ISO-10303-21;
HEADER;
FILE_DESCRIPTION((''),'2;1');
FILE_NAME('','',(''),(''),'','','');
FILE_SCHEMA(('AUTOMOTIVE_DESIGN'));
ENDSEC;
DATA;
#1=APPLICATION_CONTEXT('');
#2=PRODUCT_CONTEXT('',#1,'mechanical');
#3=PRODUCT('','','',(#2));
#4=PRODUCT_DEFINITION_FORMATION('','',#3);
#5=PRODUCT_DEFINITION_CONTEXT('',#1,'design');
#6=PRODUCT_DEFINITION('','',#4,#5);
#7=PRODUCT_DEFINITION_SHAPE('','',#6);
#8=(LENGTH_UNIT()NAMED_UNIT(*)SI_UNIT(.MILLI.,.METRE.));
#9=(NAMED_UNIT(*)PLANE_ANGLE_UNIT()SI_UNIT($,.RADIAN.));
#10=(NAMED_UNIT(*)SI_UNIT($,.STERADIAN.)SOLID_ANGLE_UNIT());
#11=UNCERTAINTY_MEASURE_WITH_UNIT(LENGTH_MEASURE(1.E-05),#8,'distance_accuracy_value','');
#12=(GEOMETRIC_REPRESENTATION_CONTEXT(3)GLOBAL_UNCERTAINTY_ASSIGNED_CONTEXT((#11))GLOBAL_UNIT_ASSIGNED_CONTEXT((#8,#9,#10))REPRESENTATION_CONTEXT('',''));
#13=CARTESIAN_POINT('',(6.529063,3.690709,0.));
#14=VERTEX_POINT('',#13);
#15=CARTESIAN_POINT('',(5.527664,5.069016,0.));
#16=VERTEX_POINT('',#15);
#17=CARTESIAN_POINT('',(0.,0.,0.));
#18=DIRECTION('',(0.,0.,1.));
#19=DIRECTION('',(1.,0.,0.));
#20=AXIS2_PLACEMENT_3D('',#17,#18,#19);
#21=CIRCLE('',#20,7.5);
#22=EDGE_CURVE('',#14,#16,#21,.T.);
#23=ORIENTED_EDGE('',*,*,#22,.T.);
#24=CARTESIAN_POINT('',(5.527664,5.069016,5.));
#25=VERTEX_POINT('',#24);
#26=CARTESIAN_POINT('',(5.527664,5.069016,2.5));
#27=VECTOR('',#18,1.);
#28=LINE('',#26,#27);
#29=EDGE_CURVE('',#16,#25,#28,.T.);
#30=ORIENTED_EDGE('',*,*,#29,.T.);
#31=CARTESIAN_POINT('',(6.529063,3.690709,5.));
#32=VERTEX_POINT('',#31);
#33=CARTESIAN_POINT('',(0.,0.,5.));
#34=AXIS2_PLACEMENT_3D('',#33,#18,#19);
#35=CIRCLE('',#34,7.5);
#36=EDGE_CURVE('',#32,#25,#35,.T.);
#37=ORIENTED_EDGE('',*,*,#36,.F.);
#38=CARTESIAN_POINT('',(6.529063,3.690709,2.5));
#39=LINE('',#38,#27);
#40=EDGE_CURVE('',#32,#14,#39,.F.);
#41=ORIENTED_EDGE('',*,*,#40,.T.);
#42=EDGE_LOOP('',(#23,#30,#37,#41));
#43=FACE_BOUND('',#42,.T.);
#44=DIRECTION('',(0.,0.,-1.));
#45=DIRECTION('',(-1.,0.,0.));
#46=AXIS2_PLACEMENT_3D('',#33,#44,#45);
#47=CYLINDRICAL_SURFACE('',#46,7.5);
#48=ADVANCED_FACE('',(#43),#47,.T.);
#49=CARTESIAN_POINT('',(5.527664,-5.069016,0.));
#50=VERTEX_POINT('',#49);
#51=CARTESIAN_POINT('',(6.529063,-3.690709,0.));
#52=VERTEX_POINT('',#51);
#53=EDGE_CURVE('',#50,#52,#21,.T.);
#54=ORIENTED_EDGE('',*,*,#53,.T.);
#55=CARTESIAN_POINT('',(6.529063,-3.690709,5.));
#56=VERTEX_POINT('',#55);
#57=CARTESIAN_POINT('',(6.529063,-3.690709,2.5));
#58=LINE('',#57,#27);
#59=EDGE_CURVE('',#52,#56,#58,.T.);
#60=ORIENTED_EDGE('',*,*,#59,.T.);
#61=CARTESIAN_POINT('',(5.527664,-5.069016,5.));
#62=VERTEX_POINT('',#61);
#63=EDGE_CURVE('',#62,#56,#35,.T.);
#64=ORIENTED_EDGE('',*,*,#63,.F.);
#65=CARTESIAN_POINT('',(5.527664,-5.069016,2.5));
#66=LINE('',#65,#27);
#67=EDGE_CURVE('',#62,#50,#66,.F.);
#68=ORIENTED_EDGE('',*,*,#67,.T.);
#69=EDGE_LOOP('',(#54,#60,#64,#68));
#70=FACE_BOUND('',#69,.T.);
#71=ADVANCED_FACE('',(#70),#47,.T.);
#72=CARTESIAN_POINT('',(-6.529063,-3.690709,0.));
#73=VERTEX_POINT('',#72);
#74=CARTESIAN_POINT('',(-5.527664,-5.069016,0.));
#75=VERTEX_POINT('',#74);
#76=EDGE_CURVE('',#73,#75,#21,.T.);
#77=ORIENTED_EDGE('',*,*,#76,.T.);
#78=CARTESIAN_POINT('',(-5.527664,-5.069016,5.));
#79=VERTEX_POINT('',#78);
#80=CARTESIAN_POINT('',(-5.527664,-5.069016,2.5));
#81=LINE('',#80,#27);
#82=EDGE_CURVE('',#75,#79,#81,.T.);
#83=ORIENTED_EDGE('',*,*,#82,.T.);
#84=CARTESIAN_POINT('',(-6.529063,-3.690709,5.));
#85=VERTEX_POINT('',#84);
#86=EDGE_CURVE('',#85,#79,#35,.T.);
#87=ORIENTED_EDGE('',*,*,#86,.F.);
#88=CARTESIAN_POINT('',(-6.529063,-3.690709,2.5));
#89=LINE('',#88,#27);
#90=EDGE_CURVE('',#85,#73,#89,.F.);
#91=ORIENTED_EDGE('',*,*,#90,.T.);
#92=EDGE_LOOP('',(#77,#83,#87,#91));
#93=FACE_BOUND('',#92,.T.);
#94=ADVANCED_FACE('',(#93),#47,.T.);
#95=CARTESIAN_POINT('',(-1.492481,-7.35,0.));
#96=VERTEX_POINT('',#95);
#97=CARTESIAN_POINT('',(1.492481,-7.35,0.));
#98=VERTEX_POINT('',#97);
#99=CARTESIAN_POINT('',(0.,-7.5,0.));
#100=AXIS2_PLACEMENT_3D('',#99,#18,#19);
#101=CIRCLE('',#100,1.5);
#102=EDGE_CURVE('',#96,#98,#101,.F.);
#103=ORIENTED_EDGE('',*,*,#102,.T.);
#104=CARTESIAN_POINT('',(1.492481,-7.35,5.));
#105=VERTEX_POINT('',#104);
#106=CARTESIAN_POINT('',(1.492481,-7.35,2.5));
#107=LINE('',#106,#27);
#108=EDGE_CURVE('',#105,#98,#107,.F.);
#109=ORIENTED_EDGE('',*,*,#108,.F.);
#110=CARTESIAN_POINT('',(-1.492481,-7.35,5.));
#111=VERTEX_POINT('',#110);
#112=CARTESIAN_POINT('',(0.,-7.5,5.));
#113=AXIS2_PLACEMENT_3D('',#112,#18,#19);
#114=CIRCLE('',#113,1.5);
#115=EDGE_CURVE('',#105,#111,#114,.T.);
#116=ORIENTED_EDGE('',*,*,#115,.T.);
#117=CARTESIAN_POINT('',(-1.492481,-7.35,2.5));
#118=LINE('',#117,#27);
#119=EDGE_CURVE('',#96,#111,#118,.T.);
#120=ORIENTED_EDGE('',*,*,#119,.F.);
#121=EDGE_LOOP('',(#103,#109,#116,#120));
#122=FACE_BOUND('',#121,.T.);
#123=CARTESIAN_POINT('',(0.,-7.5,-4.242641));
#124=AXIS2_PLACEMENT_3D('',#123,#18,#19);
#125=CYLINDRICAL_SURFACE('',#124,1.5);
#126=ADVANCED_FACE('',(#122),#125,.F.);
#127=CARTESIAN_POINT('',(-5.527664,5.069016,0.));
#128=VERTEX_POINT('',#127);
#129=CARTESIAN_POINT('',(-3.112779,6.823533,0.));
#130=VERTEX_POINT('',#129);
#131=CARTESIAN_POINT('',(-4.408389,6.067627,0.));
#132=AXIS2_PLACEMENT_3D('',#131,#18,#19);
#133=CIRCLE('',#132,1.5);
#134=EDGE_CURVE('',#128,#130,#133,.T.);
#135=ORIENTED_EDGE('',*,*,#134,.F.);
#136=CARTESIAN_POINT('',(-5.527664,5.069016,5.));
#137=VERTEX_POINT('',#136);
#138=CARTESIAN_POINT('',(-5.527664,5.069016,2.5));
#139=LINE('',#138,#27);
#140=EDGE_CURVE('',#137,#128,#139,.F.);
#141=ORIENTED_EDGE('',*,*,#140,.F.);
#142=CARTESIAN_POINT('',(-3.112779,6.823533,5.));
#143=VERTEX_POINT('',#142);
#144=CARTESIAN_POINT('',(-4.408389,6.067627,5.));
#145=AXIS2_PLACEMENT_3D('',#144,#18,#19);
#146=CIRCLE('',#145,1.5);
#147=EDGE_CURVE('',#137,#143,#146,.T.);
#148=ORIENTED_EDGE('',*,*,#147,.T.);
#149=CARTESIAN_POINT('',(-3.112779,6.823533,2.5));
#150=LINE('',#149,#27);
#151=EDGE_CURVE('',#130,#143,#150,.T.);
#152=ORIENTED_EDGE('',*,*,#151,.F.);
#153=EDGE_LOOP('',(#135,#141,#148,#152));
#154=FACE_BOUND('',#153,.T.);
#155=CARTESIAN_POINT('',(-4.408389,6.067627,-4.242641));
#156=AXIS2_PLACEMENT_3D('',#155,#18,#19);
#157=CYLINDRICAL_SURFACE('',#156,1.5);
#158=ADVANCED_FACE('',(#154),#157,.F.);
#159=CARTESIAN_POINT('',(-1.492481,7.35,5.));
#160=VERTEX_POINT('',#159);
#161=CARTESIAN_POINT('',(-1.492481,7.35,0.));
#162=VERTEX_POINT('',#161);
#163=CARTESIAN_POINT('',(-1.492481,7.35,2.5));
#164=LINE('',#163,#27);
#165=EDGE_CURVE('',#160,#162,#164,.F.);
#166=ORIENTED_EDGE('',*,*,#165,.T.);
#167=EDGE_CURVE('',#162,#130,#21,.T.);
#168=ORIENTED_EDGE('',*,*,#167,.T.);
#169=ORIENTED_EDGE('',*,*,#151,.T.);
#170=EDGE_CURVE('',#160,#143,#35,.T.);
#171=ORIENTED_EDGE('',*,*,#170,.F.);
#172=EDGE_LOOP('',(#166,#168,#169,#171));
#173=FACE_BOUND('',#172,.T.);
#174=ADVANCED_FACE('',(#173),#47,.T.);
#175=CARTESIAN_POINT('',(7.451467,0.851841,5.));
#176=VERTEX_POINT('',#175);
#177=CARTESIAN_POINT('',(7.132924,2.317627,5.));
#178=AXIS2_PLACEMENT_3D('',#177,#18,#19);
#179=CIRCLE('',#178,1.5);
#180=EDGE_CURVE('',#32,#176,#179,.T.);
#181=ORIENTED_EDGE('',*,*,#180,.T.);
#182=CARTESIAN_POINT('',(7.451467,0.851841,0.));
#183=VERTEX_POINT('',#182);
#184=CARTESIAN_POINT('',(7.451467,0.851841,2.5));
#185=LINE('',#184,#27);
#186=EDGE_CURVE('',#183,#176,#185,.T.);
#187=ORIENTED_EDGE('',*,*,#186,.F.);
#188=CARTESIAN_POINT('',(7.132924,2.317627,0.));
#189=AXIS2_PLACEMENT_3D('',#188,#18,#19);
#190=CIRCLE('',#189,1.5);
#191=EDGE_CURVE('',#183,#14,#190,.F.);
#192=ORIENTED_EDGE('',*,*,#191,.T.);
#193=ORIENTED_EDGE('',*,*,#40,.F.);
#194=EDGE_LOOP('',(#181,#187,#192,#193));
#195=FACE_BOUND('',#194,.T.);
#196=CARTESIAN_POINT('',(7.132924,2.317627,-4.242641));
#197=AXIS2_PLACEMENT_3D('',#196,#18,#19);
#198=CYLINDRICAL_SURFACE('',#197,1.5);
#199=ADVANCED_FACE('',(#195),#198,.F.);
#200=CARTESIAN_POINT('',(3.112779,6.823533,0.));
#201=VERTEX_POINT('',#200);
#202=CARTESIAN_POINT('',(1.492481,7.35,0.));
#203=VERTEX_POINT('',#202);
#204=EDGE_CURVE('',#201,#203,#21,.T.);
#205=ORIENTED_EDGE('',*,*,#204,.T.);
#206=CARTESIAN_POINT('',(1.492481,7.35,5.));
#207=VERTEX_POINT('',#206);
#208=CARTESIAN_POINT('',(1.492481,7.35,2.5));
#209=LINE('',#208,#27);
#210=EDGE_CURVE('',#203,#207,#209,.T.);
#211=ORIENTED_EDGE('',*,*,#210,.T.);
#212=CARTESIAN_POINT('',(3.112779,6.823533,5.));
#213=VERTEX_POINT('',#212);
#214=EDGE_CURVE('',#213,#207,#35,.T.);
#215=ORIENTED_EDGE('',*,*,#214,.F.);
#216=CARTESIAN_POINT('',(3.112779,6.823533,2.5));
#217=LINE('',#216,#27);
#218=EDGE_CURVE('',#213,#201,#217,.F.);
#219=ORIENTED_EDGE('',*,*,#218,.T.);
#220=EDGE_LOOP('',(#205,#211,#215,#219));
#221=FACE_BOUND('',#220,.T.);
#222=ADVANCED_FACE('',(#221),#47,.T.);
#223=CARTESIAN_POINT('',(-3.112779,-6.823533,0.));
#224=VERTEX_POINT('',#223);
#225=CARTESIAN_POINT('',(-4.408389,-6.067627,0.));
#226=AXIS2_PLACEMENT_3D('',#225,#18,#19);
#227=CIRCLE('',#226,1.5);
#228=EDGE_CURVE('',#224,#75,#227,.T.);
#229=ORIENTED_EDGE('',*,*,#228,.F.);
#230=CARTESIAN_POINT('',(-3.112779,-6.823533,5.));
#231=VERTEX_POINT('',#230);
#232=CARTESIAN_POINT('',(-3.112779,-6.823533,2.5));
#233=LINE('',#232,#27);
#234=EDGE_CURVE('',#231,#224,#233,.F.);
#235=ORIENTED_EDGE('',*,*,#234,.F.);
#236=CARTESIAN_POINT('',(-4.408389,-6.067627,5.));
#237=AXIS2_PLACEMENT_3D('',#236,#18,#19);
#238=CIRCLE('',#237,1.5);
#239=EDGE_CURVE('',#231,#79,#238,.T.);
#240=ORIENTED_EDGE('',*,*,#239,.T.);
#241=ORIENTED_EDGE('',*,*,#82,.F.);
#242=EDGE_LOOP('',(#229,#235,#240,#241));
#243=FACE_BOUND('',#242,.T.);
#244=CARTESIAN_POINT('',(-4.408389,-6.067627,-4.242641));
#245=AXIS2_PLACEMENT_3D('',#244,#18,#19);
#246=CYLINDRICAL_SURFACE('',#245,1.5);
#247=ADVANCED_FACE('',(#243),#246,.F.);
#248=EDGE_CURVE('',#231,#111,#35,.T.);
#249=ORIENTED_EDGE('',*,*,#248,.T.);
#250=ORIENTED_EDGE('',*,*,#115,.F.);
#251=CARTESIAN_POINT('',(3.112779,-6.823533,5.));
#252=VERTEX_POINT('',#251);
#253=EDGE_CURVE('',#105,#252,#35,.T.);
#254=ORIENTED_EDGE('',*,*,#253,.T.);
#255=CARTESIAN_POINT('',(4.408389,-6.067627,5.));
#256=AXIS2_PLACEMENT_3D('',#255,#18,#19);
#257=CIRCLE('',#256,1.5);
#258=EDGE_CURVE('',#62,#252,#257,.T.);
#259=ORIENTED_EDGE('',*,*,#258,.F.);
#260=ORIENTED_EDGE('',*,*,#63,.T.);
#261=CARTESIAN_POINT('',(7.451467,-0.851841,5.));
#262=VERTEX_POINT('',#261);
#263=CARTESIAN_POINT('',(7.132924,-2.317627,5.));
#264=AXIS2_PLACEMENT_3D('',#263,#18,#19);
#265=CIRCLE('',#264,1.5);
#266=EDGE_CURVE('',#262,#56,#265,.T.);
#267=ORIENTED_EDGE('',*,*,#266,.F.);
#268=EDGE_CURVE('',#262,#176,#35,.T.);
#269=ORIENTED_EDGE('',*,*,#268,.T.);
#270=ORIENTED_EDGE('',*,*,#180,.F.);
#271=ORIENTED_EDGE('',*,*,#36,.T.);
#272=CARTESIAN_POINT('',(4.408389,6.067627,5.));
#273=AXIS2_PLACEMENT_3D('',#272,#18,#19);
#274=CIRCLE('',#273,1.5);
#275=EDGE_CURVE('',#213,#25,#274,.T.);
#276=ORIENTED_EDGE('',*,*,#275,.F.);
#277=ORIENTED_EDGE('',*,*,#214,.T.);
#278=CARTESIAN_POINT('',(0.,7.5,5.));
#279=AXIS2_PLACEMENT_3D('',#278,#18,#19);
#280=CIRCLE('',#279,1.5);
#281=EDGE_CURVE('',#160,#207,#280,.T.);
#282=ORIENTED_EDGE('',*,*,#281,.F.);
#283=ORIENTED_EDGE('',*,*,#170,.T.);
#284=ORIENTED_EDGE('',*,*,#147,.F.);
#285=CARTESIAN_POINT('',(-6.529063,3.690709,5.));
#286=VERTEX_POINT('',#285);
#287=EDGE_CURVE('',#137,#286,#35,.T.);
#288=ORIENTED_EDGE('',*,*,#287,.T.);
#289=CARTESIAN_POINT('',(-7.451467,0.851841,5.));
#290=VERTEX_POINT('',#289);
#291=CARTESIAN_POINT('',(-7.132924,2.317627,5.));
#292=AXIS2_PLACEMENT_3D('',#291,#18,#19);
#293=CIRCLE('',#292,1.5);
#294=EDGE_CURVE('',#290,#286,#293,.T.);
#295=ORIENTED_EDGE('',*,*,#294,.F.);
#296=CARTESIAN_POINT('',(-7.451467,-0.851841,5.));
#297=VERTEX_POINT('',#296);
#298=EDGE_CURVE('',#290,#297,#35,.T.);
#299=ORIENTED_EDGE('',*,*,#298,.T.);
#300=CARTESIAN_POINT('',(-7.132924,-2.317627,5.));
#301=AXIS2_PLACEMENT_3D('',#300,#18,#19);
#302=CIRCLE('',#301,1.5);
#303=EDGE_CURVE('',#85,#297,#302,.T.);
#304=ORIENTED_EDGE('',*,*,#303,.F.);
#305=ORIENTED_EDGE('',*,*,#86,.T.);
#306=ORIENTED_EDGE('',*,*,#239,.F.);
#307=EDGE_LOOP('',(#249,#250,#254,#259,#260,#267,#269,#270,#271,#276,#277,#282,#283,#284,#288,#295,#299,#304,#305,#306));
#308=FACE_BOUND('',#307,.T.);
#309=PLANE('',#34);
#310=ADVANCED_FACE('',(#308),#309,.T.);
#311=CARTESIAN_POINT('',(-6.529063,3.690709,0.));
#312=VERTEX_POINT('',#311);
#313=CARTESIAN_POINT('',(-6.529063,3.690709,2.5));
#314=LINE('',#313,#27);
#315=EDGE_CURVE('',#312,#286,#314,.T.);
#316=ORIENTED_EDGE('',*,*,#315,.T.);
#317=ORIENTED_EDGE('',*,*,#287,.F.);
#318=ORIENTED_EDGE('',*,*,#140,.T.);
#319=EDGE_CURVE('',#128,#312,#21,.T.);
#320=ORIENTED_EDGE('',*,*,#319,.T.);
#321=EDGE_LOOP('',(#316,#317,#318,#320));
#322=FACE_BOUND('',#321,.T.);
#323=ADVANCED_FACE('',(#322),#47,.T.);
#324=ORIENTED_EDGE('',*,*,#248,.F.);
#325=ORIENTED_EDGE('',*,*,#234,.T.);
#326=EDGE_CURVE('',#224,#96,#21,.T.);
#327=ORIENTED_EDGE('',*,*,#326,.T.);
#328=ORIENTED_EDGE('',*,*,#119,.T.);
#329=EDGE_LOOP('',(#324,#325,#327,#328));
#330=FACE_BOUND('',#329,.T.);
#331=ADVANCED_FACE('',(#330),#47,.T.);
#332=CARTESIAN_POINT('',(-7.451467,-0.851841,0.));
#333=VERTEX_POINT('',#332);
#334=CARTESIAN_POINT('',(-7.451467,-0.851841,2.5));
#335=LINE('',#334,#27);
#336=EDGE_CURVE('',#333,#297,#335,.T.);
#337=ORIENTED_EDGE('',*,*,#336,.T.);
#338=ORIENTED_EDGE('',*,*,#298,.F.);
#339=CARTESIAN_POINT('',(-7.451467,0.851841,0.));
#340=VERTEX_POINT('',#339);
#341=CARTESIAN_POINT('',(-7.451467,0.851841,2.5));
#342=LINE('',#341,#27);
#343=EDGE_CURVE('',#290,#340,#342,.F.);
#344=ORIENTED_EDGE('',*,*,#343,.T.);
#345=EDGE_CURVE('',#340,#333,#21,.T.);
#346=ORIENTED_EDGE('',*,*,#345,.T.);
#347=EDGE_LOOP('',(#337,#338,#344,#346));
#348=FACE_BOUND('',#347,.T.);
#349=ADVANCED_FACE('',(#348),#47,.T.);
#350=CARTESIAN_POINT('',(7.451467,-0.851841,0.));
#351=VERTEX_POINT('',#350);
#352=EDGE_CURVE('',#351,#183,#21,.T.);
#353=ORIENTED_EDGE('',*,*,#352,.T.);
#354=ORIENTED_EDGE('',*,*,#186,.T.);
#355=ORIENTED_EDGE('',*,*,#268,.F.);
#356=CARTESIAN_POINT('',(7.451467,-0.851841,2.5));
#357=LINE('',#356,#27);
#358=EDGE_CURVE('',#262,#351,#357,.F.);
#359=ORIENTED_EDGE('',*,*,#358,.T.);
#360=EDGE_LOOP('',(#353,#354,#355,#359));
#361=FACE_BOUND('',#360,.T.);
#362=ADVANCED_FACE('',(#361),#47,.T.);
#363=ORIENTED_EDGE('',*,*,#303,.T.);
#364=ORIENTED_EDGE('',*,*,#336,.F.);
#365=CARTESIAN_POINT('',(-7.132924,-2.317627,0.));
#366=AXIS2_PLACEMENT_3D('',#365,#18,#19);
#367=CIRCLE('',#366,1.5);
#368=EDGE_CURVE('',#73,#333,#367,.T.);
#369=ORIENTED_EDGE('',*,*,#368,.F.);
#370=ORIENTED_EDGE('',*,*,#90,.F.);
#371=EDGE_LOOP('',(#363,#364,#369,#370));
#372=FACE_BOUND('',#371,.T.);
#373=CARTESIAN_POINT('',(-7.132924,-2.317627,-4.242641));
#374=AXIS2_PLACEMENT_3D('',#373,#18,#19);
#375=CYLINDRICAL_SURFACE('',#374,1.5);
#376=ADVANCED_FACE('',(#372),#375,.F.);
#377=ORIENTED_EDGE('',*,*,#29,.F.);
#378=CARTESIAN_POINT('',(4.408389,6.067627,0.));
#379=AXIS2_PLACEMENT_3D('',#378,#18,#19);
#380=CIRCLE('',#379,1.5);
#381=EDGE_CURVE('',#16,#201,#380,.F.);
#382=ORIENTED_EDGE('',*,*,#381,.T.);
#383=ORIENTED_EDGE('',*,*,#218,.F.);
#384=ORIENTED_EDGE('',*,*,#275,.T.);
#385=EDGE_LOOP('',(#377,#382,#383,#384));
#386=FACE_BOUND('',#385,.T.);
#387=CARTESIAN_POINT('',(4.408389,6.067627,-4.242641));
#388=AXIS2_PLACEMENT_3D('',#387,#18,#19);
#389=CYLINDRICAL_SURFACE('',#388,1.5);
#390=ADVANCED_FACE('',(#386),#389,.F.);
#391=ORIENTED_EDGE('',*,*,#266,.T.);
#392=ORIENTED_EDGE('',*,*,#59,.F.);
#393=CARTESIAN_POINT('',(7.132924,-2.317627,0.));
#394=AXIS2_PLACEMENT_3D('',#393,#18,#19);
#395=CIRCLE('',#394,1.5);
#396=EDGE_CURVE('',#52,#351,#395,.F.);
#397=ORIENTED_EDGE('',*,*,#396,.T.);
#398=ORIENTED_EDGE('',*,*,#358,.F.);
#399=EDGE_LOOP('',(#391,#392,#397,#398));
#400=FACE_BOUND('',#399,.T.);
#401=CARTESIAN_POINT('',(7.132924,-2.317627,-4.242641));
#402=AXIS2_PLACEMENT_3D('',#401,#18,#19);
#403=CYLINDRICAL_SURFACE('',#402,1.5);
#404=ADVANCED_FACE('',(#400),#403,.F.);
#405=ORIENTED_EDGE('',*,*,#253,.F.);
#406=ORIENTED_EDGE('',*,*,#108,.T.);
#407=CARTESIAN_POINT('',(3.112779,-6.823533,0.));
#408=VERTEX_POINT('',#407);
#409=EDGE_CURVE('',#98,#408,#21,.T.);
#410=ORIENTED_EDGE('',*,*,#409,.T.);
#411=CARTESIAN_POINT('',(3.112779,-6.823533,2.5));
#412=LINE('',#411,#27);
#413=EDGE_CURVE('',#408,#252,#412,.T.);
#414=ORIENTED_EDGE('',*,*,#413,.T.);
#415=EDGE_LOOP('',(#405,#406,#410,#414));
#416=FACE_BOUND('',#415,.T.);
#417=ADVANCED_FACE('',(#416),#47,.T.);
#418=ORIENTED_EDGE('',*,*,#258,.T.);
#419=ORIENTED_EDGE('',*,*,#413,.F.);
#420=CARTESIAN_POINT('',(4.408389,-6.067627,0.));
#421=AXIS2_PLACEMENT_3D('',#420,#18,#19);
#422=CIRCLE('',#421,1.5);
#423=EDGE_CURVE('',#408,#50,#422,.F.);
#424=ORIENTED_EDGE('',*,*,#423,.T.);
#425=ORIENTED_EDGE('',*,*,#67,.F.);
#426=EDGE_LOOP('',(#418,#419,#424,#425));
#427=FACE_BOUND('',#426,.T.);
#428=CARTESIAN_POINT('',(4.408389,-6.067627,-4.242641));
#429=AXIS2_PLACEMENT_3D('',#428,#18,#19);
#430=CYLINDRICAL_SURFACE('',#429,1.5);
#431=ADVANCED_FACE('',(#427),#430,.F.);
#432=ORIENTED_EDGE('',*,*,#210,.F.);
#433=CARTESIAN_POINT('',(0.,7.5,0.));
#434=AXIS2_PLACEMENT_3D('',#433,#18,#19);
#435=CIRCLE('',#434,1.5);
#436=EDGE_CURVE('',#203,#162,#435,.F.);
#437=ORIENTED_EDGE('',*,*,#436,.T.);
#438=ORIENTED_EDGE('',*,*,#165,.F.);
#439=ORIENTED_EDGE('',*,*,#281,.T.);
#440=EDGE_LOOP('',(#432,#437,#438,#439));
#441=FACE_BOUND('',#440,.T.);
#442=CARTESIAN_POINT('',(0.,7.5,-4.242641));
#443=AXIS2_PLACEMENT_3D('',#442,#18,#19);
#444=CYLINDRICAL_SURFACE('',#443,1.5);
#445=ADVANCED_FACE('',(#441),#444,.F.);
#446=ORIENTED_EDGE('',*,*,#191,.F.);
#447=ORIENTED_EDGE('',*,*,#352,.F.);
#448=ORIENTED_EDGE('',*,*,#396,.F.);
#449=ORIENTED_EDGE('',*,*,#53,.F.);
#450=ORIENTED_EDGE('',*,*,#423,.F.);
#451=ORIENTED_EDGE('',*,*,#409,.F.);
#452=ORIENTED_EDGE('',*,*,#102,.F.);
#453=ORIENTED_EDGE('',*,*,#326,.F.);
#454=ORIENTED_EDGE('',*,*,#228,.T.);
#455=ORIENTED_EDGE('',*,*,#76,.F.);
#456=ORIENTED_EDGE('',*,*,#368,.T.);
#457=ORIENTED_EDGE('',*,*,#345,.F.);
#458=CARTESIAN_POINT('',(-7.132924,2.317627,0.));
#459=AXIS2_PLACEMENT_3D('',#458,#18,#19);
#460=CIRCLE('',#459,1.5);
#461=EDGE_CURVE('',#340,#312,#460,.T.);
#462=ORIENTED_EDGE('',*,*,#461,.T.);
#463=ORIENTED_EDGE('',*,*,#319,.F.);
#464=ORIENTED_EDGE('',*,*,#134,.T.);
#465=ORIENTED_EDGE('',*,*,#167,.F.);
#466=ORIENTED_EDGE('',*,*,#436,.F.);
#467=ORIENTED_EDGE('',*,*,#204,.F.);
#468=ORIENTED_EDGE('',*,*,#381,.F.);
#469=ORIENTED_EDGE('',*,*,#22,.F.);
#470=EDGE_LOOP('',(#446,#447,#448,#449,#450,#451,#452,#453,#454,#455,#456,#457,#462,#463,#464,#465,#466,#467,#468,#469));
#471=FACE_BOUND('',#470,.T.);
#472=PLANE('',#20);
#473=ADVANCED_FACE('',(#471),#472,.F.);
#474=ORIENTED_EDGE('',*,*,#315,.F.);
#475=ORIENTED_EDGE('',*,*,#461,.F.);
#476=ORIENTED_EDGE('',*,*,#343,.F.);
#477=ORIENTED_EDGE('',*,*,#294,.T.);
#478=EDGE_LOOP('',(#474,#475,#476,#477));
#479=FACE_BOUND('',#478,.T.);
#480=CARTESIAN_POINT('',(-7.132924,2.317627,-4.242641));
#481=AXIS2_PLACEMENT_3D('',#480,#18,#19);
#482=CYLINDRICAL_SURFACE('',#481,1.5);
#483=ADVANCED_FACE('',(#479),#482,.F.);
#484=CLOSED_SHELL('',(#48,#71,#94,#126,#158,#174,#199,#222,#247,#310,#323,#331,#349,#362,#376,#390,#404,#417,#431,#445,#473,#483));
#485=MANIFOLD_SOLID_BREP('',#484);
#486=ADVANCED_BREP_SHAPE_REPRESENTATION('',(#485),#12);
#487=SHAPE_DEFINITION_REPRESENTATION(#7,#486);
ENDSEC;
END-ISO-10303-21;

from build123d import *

# Parameters (mm, degrees)
SKETCH1_R           = 7.5
BOSS_EXTRUDE1_DEPTH = 5
SKETCH3_R           = 1.5
CUT_EXTRUDE1_DEPTH  = 5


with BuildPart() as part:
    # Sketch1 → Boss-Extrude1 (new body)
    with BuildSketch(Plane.XY):
        Circle(SKETCH1_R)
    extrude(amount=BOSS_EXTRUDE1_DEPTH)

    # Sketch3 → Cut-Extrude1 (cut)
    with BuildSketch(Plane.XY.offset(5)):
        with Locations((0, 7.5)):
            Circle(SKETCH3_R)
        with Locations((4.408389392, 6.067627458)):
            Circle(SKETCH3_R)
        with Locations((7.132923872, 2.317627458)):
            Circle(SKETCH3_R)
        with Locations((7.132923872, -2.317627458)):
            Circle(SKETCH3_R)
        with Locations((4.408389392, -6.067627458)):
            Circle(SKETCH3_R)
        with Locations((0, -7.5)):
            Circle(SKETCH3_R)
        with Locations((-4.408389392, -6.067627458)):
            Circle(SKETCH3_R)
        with Locations((-7.132923872, -2.317627458)):
            Circle(SKETCH3_R)
        with Locations((-7.132923872, 2.317627458)):
            Circle(SKETCH3_R)
        with Locations((-4.408389392, 6.067627458)):
            Circle(SKETCH3_R)
    extrude(amount=-CUT_EXTRUDE1_DEPTH, mode=Mode.SUBTRACT)


solid = part.part
